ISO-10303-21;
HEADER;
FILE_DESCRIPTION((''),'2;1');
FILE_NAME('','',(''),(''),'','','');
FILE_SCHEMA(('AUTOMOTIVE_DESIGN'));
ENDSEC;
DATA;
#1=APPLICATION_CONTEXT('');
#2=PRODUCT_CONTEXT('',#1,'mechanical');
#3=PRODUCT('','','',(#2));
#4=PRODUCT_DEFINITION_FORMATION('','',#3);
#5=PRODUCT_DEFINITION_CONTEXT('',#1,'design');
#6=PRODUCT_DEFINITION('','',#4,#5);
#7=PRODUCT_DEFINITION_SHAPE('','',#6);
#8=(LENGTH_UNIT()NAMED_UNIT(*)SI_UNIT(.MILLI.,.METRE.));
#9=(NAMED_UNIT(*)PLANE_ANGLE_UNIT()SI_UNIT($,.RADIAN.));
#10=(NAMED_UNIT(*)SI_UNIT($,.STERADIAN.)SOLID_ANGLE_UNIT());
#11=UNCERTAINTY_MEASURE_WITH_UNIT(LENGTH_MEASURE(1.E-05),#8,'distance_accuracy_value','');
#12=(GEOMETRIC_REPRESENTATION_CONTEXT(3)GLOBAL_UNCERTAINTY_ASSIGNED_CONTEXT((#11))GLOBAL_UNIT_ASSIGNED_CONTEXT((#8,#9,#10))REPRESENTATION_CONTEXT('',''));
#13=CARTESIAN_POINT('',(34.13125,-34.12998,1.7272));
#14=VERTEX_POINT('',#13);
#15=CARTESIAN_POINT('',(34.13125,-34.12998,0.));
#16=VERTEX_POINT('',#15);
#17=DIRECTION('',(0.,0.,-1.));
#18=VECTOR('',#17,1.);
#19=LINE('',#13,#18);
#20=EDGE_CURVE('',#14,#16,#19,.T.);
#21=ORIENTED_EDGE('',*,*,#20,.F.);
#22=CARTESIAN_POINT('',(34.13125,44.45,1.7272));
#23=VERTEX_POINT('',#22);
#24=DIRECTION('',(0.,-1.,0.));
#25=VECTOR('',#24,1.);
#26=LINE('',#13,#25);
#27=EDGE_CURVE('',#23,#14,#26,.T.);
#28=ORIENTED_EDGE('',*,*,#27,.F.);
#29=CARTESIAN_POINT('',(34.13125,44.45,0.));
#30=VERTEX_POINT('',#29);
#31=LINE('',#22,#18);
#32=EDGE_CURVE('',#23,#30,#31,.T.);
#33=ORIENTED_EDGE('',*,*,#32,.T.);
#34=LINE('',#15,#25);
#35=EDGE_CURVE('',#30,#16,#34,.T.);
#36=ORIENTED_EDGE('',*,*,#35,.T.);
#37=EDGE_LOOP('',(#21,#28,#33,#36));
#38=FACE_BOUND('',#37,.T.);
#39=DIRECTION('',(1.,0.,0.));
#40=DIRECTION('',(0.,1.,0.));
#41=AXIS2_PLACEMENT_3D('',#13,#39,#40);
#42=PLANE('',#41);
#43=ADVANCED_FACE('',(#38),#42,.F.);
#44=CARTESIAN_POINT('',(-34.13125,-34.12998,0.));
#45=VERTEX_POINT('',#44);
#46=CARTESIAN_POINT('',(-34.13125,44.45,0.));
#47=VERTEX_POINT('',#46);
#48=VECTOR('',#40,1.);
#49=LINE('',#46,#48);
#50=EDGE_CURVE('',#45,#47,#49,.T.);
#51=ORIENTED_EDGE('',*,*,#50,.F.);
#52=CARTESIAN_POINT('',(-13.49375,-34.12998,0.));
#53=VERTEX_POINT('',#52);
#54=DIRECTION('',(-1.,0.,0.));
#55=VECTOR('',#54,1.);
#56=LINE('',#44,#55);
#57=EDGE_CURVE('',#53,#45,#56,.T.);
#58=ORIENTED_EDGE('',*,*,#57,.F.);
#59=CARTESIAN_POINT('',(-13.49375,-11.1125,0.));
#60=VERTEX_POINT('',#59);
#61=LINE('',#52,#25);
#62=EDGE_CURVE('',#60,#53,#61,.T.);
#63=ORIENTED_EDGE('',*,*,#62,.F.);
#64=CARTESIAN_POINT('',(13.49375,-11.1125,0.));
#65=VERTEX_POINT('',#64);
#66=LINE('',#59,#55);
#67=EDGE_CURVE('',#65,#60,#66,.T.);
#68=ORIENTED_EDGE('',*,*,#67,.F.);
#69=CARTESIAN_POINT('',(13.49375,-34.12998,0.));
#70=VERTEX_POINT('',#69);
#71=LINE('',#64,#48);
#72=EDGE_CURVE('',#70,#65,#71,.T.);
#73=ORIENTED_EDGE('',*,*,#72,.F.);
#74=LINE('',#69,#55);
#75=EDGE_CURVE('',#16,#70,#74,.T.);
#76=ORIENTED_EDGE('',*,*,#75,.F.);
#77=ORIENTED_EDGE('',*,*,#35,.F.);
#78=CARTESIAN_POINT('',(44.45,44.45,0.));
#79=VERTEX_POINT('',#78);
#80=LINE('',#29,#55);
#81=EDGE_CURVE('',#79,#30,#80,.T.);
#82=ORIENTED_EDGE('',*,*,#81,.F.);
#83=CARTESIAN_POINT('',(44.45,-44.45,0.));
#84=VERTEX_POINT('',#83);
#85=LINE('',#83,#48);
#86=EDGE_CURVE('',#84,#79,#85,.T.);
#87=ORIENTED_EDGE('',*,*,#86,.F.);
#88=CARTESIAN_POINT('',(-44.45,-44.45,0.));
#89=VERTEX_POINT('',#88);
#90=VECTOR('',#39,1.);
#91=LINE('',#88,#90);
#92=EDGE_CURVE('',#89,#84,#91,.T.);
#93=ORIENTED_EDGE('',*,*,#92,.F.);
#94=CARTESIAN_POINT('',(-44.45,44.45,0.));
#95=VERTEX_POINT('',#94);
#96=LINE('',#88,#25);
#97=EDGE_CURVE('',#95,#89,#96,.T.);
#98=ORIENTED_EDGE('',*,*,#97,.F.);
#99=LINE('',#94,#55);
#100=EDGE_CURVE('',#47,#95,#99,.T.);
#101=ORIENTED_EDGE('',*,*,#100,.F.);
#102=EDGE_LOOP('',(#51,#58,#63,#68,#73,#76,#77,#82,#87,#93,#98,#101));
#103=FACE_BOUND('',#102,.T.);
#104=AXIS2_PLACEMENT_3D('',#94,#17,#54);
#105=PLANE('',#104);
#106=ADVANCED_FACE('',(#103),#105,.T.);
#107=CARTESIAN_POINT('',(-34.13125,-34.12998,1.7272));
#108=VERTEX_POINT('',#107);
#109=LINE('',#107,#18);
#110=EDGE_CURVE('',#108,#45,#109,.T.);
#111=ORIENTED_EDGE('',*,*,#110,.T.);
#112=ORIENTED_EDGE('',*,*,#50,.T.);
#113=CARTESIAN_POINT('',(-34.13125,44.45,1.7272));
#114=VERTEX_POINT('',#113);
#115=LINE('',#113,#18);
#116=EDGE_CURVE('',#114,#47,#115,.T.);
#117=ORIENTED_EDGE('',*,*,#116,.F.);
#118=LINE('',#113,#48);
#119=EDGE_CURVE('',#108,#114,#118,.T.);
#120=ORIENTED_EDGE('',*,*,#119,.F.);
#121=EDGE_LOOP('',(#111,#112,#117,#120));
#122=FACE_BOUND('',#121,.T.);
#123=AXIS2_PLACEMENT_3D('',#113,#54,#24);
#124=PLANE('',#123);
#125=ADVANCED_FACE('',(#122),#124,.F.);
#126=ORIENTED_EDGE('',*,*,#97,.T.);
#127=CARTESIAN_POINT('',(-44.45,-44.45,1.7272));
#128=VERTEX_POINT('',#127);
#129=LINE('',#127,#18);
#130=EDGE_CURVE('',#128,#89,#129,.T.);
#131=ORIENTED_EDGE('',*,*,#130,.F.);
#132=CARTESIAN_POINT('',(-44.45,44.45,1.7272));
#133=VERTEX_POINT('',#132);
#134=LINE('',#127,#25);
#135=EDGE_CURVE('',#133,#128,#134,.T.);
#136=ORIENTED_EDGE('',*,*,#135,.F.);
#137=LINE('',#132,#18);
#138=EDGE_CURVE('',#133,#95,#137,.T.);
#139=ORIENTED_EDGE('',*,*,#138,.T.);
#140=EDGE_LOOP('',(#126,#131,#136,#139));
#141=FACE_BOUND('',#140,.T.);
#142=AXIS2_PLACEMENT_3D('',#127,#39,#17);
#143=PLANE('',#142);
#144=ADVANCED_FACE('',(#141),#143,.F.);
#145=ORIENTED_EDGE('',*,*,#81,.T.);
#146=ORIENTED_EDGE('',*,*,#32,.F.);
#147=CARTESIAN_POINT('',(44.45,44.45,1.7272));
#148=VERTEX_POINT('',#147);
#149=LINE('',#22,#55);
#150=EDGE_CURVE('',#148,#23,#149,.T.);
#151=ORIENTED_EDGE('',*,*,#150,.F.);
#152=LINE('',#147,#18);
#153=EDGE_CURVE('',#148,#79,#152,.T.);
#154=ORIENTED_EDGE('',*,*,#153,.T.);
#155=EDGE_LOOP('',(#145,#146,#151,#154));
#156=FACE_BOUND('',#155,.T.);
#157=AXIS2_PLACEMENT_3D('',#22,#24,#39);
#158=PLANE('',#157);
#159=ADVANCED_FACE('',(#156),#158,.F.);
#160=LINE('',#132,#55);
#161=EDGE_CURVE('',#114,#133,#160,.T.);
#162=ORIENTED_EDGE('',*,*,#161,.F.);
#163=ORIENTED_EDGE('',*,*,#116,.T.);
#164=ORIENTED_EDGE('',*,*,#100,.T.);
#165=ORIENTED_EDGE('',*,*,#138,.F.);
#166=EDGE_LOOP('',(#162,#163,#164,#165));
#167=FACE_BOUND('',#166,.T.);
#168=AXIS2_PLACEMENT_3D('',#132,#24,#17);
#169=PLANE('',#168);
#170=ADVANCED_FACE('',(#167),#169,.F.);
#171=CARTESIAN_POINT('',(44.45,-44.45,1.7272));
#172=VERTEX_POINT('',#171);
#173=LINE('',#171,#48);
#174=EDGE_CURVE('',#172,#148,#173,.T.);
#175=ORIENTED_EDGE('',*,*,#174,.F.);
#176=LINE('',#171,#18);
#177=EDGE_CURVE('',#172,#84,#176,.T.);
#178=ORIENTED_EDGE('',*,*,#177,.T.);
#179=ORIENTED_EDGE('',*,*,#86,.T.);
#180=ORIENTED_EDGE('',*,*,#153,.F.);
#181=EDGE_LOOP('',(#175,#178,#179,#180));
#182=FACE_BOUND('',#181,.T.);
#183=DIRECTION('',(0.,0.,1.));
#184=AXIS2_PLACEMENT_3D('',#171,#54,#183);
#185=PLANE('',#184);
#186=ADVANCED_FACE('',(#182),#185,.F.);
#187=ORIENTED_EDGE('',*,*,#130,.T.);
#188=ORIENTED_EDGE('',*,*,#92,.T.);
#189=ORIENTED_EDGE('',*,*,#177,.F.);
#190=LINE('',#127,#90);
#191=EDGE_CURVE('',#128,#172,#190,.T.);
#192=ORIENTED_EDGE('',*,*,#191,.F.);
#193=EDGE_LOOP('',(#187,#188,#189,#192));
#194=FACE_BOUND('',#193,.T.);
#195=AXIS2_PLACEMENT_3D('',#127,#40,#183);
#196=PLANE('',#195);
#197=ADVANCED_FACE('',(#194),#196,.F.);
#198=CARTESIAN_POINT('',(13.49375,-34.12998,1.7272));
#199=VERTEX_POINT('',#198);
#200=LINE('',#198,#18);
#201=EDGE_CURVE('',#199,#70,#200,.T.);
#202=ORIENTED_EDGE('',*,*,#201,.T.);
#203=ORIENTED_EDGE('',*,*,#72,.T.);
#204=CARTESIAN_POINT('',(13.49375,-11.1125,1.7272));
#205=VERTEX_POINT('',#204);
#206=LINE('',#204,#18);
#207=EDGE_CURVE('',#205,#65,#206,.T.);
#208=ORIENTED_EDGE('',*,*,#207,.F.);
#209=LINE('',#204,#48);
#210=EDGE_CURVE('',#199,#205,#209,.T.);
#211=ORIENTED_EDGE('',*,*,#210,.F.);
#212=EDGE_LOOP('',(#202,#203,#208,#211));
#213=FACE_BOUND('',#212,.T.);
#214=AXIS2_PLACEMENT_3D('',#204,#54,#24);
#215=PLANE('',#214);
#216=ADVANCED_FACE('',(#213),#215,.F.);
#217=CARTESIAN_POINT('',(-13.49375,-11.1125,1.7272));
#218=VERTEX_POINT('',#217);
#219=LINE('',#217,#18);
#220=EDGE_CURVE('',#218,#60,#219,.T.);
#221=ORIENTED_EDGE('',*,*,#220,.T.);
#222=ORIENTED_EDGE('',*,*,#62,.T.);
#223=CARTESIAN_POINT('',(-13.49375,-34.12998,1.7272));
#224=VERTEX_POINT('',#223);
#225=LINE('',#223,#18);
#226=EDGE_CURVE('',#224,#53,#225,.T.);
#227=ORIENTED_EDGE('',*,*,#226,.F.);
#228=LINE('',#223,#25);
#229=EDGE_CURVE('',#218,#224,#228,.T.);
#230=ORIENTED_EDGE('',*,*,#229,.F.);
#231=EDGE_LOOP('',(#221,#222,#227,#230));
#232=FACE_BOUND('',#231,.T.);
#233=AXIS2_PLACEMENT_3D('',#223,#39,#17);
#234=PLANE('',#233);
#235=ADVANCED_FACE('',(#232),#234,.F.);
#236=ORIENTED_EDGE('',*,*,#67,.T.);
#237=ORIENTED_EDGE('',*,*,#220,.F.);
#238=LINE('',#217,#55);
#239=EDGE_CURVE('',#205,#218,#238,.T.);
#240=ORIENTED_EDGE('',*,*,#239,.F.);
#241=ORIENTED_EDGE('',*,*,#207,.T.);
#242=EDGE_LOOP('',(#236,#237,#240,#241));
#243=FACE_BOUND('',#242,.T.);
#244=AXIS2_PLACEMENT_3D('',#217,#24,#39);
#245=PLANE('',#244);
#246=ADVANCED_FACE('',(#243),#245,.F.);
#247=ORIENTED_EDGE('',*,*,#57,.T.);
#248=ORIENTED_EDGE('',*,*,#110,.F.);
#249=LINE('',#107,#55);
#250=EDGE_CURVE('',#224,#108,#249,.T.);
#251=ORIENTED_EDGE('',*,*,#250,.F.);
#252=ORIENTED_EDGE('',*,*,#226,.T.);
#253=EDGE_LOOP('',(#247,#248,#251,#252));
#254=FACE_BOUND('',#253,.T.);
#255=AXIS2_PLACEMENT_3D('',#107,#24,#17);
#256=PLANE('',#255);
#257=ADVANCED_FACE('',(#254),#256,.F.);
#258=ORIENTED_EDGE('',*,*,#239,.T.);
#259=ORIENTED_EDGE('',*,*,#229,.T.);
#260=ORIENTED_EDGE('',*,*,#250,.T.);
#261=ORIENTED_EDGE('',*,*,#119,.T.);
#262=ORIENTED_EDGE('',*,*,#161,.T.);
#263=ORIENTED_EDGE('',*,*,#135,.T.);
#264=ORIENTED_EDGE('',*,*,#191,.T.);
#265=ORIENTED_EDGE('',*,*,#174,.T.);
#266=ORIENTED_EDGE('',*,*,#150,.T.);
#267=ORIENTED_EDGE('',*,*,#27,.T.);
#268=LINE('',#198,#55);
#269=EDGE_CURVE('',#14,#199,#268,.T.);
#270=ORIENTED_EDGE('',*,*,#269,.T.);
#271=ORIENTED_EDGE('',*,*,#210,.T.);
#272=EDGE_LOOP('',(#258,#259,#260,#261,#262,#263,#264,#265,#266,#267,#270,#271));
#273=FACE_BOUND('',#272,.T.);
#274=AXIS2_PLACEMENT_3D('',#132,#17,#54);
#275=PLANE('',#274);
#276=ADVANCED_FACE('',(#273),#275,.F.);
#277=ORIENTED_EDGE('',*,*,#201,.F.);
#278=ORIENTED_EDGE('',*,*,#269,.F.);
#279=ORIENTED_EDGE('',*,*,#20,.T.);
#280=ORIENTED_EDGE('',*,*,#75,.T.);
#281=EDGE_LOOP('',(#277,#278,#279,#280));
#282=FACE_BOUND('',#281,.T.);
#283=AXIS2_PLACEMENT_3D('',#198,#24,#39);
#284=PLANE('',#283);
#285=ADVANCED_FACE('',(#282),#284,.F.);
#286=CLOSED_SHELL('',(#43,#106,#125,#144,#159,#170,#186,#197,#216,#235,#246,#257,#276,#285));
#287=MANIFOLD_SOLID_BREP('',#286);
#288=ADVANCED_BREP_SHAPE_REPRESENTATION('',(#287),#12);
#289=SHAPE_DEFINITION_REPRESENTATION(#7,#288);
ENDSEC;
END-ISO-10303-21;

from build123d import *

# Parameters (mm, degrees)
EXTRUDE1_DEPTH = 1.7272


with BuildPart() as part:
    # Sketch1 → Extrude1 (new body)
    with BuildSketch(Plane.XY):
        Polygon((-44.45, -44.45), (44.45, -44.45), (44.45, 44.45), (34.13125, 44.45), (34.13125, -34.12998), (13.49375, -34.12998), (13.49375, -11.1125), (-13.49375, -11.1125), (-13.49375, -34.12998), (-34.13125, -34.12998), (-34.13125, 44.45), (-44.45, 44.45), align=None)
    extrude(amount=EXTRUDE1_DEPTH)


solid = part.part
